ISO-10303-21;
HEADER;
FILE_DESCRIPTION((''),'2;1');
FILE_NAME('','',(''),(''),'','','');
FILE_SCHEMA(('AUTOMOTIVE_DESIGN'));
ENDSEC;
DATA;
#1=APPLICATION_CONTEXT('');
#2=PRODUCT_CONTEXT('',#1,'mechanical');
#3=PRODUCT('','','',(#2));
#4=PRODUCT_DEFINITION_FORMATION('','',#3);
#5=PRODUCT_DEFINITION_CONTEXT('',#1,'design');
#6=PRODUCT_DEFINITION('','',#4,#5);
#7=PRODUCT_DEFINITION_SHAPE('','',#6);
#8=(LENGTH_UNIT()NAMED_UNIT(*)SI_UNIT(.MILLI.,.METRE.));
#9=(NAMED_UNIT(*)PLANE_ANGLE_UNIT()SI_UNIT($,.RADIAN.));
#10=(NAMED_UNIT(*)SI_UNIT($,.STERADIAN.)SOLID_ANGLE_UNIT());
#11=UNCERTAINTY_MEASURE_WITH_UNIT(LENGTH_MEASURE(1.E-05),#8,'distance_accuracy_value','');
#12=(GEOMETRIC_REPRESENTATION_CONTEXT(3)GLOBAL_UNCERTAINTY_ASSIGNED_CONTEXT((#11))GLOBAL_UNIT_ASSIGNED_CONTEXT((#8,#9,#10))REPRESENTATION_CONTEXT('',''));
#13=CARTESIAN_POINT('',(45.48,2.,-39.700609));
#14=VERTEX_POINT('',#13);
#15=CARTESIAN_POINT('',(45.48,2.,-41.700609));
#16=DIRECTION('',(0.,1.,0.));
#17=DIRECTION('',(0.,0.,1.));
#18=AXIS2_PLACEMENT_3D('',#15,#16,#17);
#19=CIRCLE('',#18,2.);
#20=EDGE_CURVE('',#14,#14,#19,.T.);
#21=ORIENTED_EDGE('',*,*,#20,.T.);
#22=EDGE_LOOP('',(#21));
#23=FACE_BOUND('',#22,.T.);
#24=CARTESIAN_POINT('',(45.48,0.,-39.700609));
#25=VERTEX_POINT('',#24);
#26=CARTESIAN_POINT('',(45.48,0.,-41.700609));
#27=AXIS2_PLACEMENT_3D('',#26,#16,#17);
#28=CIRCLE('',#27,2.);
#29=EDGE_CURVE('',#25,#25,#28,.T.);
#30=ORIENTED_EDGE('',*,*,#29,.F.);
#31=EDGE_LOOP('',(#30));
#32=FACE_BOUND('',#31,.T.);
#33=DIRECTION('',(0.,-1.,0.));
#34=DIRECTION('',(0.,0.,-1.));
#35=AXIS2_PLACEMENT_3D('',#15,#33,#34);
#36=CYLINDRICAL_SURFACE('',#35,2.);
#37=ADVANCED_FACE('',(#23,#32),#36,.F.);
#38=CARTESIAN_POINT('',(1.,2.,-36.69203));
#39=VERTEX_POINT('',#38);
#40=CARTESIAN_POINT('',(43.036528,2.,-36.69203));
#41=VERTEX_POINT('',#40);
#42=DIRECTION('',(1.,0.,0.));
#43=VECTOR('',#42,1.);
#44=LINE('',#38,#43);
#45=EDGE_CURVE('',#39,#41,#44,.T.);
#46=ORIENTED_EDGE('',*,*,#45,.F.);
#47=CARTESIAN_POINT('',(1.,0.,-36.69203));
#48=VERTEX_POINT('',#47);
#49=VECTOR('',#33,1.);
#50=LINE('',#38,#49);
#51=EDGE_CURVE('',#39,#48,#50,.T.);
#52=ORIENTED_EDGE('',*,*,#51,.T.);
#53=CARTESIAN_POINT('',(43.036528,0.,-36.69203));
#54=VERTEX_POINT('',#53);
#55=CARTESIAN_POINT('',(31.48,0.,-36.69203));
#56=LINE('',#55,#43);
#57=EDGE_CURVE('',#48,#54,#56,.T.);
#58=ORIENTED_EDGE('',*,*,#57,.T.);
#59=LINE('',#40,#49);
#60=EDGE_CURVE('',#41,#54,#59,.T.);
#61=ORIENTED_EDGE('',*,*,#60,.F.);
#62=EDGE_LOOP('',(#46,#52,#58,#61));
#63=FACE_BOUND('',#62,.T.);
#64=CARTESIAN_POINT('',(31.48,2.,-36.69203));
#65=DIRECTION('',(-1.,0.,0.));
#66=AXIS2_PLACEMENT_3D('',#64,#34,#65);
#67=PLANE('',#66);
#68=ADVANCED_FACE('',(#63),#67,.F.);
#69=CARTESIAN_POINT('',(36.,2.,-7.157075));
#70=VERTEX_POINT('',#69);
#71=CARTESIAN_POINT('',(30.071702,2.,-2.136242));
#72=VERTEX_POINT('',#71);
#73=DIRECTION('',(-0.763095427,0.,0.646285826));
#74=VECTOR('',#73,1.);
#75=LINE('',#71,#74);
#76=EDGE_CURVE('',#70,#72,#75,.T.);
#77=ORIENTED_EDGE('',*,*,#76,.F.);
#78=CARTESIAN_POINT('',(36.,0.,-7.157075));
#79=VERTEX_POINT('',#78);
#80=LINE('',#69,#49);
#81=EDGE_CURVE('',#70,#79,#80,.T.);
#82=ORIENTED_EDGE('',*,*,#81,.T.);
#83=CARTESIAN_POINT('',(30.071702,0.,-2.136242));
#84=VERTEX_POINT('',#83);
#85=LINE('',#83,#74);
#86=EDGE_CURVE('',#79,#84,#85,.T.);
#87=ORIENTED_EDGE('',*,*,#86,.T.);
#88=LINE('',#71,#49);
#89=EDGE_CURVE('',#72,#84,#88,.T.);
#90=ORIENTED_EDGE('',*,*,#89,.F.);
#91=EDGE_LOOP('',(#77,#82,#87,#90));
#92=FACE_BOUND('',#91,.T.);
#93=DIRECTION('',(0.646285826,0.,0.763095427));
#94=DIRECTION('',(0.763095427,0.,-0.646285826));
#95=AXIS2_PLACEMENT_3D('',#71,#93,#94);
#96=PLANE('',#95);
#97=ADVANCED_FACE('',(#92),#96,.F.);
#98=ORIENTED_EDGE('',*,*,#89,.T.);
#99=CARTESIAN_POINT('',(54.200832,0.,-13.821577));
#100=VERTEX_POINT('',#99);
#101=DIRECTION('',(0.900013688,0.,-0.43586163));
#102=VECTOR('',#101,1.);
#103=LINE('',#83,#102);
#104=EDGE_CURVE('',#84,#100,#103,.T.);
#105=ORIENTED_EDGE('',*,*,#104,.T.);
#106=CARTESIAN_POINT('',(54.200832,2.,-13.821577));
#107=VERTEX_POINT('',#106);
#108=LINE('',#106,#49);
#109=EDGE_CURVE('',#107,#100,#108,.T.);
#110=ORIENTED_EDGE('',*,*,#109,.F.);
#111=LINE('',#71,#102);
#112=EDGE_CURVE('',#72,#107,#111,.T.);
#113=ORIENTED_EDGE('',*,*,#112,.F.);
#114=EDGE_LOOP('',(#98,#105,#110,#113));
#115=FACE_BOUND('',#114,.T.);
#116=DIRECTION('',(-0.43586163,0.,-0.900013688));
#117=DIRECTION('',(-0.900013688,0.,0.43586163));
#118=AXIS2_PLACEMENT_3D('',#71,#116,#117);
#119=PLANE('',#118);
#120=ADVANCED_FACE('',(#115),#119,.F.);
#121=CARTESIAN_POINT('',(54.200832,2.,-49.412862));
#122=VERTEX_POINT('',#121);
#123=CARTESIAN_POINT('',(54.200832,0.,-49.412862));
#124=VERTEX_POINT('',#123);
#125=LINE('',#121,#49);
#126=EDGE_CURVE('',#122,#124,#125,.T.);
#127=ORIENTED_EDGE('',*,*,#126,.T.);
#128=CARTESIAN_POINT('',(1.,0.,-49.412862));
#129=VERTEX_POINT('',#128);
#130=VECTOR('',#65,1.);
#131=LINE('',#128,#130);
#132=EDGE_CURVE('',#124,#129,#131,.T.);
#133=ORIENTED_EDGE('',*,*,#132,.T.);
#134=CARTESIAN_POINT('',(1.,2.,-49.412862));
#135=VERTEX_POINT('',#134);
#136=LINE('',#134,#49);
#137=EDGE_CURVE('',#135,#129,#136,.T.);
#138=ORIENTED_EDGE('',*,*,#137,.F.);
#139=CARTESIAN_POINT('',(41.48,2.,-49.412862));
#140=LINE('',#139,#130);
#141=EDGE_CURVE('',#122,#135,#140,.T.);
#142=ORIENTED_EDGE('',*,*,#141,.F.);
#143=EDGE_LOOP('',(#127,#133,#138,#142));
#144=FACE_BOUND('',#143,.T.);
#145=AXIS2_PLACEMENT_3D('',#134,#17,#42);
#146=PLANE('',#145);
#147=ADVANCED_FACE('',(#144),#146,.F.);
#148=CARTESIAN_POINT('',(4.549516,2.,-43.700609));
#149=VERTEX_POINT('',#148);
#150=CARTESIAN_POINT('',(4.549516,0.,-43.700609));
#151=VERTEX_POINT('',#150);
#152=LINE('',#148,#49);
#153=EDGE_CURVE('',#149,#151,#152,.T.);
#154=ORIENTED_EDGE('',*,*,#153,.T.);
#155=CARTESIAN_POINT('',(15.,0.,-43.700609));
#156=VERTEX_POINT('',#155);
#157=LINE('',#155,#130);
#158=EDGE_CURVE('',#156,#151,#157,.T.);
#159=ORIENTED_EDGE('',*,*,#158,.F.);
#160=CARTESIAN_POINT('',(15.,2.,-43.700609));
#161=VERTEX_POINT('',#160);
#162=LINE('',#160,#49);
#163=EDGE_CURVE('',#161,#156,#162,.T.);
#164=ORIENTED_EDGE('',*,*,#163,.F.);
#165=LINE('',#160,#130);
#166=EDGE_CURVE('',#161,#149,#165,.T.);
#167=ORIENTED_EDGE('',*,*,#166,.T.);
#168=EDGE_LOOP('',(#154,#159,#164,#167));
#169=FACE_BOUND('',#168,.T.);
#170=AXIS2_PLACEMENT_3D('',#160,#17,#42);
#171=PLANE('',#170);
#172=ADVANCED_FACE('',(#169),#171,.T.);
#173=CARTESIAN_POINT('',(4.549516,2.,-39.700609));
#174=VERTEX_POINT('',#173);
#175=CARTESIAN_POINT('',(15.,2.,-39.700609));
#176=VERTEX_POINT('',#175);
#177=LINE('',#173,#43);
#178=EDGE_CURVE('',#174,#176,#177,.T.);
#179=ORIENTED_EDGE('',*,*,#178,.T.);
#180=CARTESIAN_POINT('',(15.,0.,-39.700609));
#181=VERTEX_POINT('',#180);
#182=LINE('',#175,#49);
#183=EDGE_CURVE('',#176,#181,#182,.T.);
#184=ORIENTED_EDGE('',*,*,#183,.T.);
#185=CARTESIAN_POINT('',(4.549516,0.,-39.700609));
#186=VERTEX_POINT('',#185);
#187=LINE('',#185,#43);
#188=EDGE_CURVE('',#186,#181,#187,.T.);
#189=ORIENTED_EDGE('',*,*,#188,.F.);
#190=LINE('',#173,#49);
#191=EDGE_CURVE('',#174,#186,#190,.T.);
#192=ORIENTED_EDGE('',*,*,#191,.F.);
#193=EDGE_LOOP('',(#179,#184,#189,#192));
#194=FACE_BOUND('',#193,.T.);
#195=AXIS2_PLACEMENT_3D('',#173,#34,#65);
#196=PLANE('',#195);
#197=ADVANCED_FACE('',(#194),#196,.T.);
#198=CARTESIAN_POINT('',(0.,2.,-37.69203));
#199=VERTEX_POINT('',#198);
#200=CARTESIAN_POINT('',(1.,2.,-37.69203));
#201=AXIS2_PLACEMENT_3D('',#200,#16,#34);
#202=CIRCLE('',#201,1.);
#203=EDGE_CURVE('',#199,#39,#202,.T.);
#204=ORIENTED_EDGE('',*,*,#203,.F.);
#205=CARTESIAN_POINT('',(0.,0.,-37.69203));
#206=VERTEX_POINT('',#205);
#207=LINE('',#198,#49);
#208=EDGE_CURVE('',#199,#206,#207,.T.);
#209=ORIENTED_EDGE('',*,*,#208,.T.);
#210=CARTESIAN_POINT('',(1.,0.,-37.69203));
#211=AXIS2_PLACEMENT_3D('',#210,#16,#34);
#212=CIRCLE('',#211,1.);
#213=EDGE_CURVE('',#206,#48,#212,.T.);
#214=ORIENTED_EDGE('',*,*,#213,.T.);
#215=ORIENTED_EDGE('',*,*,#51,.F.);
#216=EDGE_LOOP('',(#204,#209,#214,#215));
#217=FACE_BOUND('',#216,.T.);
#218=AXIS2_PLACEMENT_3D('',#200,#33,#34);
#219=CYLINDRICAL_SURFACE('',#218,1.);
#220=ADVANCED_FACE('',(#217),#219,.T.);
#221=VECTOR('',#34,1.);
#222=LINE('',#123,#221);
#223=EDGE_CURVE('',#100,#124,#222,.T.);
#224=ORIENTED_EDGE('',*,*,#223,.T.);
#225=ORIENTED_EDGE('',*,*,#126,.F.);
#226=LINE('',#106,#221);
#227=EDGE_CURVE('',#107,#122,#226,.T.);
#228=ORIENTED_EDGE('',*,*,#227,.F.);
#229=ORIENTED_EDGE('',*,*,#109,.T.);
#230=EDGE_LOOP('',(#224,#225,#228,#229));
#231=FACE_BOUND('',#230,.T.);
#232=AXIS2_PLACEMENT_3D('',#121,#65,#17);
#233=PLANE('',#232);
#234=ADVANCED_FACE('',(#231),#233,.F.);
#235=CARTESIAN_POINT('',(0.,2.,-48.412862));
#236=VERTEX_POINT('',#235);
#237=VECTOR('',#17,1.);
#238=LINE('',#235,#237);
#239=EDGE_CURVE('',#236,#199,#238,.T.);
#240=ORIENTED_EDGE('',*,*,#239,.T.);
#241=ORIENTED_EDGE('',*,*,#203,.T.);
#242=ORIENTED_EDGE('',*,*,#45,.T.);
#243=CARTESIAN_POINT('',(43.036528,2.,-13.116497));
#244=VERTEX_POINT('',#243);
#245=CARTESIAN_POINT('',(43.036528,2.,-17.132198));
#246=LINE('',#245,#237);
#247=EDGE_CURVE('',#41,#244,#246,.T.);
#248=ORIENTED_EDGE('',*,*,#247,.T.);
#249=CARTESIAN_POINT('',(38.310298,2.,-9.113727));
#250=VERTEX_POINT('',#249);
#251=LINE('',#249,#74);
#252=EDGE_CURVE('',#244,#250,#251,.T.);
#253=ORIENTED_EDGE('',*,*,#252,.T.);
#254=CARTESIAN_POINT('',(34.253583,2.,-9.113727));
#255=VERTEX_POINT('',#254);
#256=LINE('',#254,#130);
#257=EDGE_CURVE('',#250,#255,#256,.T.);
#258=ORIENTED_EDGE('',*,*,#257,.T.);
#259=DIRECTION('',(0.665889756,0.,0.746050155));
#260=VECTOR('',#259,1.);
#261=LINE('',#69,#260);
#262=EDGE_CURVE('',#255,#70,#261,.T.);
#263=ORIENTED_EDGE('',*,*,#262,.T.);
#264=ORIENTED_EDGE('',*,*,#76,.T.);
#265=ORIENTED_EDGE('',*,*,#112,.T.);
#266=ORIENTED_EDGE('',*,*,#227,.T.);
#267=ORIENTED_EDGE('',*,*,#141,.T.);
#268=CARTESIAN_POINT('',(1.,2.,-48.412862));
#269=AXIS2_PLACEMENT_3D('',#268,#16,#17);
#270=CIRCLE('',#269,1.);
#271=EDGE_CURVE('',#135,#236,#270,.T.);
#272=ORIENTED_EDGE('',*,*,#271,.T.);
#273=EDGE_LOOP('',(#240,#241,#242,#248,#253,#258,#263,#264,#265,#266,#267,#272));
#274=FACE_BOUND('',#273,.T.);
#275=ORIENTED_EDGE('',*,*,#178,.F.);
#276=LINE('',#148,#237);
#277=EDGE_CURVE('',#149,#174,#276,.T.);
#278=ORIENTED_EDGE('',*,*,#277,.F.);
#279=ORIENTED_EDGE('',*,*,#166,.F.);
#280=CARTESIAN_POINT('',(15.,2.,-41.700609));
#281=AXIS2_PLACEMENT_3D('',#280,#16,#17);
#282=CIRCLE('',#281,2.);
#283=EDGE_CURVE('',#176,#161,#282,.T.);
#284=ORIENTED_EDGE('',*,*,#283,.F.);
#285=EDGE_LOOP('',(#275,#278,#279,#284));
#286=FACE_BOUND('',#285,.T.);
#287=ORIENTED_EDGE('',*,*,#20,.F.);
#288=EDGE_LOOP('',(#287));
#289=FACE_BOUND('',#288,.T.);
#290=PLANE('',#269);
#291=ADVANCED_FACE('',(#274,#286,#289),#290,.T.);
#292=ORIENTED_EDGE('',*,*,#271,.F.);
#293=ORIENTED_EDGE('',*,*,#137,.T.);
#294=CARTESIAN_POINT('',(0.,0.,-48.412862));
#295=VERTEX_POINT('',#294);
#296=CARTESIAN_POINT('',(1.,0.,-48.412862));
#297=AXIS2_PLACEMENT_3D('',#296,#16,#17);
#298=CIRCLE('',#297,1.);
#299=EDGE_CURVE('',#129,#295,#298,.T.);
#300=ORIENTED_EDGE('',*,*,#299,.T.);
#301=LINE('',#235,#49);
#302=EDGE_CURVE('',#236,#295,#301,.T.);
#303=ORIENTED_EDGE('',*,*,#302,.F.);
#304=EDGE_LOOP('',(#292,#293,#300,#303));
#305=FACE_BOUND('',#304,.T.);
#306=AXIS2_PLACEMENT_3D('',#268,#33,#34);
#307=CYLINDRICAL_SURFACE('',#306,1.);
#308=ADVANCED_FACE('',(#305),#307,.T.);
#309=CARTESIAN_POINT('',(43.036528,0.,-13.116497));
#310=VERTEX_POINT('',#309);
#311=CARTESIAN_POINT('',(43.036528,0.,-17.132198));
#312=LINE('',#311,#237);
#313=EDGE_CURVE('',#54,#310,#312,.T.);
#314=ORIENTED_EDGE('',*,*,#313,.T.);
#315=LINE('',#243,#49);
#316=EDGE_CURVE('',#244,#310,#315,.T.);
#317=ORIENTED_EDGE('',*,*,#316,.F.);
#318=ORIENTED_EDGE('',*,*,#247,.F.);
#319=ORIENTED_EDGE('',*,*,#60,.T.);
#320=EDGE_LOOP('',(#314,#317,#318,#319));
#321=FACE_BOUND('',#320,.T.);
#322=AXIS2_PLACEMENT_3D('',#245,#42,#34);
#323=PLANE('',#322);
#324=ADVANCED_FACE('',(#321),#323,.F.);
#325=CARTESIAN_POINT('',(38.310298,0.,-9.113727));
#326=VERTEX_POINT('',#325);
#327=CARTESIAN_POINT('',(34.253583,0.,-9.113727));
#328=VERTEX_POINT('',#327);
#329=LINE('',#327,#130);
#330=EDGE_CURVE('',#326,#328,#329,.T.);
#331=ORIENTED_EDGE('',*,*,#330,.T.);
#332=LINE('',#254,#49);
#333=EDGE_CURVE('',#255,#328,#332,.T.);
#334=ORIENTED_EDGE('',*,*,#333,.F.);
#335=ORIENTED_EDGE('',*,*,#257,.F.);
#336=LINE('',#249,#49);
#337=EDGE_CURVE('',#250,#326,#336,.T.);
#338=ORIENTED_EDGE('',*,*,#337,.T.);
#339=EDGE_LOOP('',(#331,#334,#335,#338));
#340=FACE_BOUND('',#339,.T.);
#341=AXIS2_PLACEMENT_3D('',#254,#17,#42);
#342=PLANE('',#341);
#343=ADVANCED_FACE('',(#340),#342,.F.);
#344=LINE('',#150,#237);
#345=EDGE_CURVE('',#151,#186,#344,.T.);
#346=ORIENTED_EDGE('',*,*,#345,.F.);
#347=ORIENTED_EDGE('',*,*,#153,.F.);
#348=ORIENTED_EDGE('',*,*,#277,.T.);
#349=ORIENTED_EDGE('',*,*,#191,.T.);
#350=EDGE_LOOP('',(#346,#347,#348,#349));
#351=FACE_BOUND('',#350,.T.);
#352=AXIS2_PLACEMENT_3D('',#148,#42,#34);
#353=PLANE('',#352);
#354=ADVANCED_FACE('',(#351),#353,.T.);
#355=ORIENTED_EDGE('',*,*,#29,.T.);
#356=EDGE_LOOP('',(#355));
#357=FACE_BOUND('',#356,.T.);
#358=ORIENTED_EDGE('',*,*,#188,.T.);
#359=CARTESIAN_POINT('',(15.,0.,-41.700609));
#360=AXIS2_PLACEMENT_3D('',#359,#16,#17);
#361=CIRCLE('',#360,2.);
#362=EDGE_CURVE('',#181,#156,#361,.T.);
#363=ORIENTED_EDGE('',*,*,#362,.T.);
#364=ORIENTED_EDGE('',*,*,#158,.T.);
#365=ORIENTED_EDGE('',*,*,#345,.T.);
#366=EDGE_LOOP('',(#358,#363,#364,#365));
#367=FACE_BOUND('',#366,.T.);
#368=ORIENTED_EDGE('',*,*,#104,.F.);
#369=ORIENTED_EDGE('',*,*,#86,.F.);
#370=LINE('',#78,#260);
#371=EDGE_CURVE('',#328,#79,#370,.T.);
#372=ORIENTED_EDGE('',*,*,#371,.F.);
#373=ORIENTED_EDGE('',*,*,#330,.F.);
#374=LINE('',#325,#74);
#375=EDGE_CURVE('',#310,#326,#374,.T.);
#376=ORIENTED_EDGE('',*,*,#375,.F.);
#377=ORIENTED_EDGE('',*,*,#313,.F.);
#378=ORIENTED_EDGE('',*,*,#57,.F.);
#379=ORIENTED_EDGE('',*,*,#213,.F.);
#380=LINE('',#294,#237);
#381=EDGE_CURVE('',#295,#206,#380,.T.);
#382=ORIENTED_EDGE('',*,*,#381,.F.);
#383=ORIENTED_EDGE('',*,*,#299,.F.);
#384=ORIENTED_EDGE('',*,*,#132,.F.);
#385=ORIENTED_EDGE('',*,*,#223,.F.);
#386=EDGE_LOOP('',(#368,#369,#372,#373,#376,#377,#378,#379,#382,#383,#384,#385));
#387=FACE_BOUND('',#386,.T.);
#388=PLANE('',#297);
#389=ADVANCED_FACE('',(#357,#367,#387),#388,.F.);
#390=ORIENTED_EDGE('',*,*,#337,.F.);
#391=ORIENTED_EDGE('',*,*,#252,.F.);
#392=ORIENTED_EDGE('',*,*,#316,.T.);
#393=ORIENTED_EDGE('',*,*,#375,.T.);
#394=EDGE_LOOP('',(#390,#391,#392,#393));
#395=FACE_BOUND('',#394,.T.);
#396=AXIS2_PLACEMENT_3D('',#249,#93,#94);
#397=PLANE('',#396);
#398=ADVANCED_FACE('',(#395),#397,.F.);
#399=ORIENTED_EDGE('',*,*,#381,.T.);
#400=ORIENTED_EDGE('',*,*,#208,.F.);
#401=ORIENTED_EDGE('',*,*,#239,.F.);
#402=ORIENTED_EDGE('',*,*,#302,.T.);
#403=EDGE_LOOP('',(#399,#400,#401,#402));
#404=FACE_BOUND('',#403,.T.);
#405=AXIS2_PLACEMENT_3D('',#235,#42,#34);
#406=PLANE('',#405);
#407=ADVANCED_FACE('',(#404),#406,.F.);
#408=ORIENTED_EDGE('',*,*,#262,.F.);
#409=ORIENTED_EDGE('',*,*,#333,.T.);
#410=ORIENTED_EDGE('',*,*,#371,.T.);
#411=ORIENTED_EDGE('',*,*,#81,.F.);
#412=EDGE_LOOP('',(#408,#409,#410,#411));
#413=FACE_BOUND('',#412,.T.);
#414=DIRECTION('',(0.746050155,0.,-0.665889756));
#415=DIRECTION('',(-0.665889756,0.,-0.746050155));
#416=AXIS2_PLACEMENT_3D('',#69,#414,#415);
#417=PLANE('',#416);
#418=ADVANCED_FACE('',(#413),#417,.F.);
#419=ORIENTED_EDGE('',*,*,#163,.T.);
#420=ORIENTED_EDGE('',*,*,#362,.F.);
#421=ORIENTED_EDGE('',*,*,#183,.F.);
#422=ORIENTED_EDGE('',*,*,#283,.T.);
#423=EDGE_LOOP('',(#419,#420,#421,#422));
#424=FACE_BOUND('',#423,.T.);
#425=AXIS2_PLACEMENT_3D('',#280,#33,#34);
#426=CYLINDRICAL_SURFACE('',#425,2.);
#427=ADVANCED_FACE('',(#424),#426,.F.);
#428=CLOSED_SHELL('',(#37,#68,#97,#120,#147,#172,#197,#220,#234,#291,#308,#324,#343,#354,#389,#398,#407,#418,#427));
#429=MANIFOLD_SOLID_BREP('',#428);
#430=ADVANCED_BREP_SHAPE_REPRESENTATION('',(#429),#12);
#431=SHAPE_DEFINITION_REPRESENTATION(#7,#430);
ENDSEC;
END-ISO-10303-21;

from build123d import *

# Parameters (mm, degrees)
SKETCH1_R           = 2
BOSS_EXTRUDE2_DEPTH = 2


with BuildPart() as part:
    # Sketch1 → Boss-Extrude2 (new body)
    with BuildSketch(Plane(origin=(0, 0, 0), x_dir=(1, 0, 0), z_dir=(0, 1, 0))):
        with BuildLine():
            Line((0, 48.412862342), (0, 37.692030173))
            ThreePointArc((0, 37.692030173), (0.292893219, 36.984923392), (1, 36.692030173))
            Line((1, 36.692030173), (31.48, 36.692030173))
            Line((31.48, 36.692030173), (43.036527631, 36.692030173))
            Line((43.036527631, 36.692030173), (43.036527631, 25.986950269))
            Line((43.036527631, 25.986950269), (43.036527631, 17.132198258))
            Line((43.036527631, 17.132198258), (43.036527631, 13.116497362))
            Line((43.036527631, 13.116497362), (38.310297741, 9.113727486))
            Line((38.310297741, 9.113727486), (34.253582629, 9.113727486))
            Line((34.253582629, 9.113727486), (36, 7.157074844))
            Line((36, 7.157074844), (30.071702425, 2.136241855))
            Line((30.071702425, 2.136241855), (54.200832168, 13.821577266))
            Line((54.200832168, 13.821577266), (54.200832168, 36.692030173))
            Line((54.200832168, 36.692030173), (54.200832168, 49.412862342))
            Line((54.200832168, 49.412862342), (41.48, 49.412862342))
            Line((41.48, 49.412862342), (1, 49.412862342))
            ThreePointArc((1, 49.412862342), (0.292893219, 49.119969123), (0, 48.412862342))
        make_face()
        with Locations((45.48, 41.700609081)):
            Circle(SKETCH1_R, mode=Mode.SUBTRACT)
        with BuildLine():
            Line((15, 43.700609081), (4.549516448, 43.700609081))
            Line((4.549516448, 43.700609081), (4.549516448, 39.700609081))
            Line((4.549516448, 39.700609081), (15, 39.700609081))
            ThreePointArc((15, 39.700609081), (17, 41.700609081), (15, 43.700609081))
        make_face(mode=Mode.SUBTRACT)
    extrude(amount=BOSS_EXTRUDE2_DEPTH)


solid = part.part
